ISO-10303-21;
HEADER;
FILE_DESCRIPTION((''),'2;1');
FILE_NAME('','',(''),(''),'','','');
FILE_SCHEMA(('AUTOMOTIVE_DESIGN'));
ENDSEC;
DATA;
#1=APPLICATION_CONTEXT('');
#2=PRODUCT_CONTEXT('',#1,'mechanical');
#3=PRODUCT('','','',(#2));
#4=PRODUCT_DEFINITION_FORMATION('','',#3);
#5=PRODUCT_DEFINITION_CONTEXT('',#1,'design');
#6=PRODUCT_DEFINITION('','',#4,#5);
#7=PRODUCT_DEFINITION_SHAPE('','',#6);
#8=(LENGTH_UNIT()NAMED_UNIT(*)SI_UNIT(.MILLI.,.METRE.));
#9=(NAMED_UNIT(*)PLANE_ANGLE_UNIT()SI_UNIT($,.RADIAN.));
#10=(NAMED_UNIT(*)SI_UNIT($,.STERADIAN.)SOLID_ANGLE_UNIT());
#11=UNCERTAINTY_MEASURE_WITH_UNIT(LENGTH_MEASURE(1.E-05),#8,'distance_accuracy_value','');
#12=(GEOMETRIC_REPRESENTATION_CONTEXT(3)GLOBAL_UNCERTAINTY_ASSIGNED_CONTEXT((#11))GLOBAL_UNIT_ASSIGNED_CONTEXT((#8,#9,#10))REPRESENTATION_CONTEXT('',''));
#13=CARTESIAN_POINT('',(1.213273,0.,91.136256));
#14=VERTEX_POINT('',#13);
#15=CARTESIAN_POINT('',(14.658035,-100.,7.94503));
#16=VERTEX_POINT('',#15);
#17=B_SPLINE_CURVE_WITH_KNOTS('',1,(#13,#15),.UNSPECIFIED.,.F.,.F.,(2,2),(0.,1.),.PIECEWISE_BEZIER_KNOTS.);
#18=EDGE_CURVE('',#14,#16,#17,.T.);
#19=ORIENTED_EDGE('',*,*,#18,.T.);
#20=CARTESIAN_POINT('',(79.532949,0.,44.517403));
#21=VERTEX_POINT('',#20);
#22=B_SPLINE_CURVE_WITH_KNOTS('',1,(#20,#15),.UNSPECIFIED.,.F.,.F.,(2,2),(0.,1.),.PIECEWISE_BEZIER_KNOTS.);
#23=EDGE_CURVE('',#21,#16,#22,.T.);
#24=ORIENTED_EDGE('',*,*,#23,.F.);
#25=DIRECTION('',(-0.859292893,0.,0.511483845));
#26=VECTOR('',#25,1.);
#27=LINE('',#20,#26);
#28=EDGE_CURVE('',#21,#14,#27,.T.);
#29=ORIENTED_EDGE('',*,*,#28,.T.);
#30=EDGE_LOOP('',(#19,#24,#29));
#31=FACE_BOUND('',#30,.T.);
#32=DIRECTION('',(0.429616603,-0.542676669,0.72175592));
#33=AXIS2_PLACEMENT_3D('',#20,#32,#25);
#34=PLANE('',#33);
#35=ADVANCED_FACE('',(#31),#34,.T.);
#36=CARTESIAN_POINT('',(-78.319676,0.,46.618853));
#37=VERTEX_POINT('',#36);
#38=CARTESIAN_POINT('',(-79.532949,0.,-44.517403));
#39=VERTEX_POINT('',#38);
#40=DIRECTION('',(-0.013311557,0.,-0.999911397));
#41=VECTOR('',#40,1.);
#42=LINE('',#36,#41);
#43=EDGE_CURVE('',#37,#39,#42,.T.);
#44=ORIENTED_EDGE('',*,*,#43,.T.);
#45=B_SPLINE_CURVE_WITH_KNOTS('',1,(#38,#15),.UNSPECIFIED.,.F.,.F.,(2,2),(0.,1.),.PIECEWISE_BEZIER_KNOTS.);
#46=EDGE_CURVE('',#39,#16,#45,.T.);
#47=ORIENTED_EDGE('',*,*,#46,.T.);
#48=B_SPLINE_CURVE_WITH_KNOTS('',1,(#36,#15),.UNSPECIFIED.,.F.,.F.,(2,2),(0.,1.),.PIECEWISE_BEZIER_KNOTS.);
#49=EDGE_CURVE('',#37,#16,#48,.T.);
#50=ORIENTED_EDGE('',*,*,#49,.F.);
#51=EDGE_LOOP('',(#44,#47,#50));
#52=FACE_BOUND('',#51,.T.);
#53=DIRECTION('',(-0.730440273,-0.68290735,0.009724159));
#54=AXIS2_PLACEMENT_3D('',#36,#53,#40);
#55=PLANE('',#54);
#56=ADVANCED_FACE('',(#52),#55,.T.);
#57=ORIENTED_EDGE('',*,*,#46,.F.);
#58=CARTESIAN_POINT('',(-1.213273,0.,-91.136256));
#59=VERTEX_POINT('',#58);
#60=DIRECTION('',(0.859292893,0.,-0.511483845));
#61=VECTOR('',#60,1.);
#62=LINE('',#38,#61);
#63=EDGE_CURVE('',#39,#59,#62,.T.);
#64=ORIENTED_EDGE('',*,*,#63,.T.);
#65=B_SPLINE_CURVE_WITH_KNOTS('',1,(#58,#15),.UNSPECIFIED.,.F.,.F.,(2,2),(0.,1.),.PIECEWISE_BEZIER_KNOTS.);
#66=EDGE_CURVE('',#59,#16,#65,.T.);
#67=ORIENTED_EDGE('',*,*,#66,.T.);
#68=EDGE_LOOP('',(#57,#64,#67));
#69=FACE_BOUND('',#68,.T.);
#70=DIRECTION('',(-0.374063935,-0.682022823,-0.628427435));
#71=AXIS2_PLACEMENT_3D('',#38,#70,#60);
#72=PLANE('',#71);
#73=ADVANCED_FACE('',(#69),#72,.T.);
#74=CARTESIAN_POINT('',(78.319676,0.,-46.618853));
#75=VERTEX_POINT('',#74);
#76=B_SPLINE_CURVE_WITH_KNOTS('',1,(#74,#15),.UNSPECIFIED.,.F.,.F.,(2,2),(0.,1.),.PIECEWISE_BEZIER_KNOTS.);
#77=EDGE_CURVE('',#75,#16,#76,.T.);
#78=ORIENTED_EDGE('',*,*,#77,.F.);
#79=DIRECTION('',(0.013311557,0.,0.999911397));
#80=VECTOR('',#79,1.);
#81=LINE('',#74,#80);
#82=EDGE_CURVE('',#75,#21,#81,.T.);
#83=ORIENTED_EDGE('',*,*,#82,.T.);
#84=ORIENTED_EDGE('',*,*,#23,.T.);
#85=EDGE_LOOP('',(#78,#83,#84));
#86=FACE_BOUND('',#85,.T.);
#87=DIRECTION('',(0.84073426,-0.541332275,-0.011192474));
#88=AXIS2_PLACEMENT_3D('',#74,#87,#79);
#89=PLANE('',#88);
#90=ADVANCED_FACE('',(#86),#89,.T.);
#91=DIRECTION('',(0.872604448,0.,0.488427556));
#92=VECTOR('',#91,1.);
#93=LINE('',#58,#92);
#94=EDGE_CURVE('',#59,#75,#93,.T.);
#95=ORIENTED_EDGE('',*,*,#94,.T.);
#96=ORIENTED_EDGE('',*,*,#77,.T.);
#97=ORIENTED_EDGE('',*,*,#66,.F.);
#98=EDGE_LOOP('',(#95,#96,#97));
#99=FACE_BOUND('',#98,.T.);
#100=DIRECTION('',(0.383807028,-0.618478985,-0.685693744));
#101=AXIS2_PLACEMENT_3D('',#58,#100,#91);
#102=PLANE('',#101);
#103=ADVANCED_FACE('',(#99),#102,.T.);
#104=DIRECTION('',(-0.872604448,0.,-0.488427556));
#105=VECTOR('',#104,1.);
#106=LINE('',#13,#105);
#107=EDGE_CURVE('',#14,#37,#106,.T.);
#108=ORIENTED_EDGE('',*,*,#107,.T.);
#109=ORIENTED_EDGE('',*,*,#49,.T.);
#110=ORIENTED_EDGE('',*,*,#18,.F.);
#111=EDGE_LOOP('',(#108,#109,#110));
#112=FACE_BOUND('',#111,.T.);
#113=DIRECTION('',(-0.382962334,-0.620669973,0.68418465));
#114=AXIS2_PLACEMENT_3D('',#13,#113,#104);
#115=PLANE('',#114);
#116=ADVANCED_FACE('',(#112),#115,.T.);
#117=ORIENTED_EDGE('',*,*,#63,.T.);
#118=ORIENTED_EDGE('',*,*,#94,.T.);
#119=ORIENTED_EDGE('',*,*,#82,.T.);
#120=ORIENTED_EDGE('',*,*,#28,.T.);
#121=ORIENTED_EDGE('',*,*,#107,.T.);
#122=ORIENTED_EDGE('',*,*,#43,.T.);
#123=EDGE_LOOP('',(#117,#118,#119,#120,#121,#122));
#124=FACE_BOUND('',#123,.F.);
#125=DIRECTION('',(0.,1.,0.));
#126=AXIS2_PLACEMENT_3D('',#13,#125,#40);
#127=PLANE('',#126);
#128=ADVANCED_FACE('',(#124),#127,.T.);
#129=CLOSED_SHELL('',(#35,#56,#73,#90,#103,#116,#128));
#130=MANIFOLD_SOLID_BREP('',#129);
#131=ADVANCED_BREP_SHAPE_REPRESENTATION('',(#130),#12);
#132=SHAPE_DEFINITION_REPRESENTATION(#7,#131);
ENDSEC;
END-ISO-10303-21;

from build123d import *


with BuildPart() as f3:
    # F0 (on Front) → F3 section 0
    with BuildSketch(Plane.XZ, mode=Mode.PRIVATE) as f3_s0:
        Polygon((1.213273, 91.136256), (-78.319676, 46.618853), (-79.532949, -44.517403), (-1.213273, -91.136256), (78.319676, -46.618853), (79.532949, 44.517403), align=None)
    loft([f3_s0.sketch, Vertex(14.658035, -100, 7.94503)])


solid = f3.part
